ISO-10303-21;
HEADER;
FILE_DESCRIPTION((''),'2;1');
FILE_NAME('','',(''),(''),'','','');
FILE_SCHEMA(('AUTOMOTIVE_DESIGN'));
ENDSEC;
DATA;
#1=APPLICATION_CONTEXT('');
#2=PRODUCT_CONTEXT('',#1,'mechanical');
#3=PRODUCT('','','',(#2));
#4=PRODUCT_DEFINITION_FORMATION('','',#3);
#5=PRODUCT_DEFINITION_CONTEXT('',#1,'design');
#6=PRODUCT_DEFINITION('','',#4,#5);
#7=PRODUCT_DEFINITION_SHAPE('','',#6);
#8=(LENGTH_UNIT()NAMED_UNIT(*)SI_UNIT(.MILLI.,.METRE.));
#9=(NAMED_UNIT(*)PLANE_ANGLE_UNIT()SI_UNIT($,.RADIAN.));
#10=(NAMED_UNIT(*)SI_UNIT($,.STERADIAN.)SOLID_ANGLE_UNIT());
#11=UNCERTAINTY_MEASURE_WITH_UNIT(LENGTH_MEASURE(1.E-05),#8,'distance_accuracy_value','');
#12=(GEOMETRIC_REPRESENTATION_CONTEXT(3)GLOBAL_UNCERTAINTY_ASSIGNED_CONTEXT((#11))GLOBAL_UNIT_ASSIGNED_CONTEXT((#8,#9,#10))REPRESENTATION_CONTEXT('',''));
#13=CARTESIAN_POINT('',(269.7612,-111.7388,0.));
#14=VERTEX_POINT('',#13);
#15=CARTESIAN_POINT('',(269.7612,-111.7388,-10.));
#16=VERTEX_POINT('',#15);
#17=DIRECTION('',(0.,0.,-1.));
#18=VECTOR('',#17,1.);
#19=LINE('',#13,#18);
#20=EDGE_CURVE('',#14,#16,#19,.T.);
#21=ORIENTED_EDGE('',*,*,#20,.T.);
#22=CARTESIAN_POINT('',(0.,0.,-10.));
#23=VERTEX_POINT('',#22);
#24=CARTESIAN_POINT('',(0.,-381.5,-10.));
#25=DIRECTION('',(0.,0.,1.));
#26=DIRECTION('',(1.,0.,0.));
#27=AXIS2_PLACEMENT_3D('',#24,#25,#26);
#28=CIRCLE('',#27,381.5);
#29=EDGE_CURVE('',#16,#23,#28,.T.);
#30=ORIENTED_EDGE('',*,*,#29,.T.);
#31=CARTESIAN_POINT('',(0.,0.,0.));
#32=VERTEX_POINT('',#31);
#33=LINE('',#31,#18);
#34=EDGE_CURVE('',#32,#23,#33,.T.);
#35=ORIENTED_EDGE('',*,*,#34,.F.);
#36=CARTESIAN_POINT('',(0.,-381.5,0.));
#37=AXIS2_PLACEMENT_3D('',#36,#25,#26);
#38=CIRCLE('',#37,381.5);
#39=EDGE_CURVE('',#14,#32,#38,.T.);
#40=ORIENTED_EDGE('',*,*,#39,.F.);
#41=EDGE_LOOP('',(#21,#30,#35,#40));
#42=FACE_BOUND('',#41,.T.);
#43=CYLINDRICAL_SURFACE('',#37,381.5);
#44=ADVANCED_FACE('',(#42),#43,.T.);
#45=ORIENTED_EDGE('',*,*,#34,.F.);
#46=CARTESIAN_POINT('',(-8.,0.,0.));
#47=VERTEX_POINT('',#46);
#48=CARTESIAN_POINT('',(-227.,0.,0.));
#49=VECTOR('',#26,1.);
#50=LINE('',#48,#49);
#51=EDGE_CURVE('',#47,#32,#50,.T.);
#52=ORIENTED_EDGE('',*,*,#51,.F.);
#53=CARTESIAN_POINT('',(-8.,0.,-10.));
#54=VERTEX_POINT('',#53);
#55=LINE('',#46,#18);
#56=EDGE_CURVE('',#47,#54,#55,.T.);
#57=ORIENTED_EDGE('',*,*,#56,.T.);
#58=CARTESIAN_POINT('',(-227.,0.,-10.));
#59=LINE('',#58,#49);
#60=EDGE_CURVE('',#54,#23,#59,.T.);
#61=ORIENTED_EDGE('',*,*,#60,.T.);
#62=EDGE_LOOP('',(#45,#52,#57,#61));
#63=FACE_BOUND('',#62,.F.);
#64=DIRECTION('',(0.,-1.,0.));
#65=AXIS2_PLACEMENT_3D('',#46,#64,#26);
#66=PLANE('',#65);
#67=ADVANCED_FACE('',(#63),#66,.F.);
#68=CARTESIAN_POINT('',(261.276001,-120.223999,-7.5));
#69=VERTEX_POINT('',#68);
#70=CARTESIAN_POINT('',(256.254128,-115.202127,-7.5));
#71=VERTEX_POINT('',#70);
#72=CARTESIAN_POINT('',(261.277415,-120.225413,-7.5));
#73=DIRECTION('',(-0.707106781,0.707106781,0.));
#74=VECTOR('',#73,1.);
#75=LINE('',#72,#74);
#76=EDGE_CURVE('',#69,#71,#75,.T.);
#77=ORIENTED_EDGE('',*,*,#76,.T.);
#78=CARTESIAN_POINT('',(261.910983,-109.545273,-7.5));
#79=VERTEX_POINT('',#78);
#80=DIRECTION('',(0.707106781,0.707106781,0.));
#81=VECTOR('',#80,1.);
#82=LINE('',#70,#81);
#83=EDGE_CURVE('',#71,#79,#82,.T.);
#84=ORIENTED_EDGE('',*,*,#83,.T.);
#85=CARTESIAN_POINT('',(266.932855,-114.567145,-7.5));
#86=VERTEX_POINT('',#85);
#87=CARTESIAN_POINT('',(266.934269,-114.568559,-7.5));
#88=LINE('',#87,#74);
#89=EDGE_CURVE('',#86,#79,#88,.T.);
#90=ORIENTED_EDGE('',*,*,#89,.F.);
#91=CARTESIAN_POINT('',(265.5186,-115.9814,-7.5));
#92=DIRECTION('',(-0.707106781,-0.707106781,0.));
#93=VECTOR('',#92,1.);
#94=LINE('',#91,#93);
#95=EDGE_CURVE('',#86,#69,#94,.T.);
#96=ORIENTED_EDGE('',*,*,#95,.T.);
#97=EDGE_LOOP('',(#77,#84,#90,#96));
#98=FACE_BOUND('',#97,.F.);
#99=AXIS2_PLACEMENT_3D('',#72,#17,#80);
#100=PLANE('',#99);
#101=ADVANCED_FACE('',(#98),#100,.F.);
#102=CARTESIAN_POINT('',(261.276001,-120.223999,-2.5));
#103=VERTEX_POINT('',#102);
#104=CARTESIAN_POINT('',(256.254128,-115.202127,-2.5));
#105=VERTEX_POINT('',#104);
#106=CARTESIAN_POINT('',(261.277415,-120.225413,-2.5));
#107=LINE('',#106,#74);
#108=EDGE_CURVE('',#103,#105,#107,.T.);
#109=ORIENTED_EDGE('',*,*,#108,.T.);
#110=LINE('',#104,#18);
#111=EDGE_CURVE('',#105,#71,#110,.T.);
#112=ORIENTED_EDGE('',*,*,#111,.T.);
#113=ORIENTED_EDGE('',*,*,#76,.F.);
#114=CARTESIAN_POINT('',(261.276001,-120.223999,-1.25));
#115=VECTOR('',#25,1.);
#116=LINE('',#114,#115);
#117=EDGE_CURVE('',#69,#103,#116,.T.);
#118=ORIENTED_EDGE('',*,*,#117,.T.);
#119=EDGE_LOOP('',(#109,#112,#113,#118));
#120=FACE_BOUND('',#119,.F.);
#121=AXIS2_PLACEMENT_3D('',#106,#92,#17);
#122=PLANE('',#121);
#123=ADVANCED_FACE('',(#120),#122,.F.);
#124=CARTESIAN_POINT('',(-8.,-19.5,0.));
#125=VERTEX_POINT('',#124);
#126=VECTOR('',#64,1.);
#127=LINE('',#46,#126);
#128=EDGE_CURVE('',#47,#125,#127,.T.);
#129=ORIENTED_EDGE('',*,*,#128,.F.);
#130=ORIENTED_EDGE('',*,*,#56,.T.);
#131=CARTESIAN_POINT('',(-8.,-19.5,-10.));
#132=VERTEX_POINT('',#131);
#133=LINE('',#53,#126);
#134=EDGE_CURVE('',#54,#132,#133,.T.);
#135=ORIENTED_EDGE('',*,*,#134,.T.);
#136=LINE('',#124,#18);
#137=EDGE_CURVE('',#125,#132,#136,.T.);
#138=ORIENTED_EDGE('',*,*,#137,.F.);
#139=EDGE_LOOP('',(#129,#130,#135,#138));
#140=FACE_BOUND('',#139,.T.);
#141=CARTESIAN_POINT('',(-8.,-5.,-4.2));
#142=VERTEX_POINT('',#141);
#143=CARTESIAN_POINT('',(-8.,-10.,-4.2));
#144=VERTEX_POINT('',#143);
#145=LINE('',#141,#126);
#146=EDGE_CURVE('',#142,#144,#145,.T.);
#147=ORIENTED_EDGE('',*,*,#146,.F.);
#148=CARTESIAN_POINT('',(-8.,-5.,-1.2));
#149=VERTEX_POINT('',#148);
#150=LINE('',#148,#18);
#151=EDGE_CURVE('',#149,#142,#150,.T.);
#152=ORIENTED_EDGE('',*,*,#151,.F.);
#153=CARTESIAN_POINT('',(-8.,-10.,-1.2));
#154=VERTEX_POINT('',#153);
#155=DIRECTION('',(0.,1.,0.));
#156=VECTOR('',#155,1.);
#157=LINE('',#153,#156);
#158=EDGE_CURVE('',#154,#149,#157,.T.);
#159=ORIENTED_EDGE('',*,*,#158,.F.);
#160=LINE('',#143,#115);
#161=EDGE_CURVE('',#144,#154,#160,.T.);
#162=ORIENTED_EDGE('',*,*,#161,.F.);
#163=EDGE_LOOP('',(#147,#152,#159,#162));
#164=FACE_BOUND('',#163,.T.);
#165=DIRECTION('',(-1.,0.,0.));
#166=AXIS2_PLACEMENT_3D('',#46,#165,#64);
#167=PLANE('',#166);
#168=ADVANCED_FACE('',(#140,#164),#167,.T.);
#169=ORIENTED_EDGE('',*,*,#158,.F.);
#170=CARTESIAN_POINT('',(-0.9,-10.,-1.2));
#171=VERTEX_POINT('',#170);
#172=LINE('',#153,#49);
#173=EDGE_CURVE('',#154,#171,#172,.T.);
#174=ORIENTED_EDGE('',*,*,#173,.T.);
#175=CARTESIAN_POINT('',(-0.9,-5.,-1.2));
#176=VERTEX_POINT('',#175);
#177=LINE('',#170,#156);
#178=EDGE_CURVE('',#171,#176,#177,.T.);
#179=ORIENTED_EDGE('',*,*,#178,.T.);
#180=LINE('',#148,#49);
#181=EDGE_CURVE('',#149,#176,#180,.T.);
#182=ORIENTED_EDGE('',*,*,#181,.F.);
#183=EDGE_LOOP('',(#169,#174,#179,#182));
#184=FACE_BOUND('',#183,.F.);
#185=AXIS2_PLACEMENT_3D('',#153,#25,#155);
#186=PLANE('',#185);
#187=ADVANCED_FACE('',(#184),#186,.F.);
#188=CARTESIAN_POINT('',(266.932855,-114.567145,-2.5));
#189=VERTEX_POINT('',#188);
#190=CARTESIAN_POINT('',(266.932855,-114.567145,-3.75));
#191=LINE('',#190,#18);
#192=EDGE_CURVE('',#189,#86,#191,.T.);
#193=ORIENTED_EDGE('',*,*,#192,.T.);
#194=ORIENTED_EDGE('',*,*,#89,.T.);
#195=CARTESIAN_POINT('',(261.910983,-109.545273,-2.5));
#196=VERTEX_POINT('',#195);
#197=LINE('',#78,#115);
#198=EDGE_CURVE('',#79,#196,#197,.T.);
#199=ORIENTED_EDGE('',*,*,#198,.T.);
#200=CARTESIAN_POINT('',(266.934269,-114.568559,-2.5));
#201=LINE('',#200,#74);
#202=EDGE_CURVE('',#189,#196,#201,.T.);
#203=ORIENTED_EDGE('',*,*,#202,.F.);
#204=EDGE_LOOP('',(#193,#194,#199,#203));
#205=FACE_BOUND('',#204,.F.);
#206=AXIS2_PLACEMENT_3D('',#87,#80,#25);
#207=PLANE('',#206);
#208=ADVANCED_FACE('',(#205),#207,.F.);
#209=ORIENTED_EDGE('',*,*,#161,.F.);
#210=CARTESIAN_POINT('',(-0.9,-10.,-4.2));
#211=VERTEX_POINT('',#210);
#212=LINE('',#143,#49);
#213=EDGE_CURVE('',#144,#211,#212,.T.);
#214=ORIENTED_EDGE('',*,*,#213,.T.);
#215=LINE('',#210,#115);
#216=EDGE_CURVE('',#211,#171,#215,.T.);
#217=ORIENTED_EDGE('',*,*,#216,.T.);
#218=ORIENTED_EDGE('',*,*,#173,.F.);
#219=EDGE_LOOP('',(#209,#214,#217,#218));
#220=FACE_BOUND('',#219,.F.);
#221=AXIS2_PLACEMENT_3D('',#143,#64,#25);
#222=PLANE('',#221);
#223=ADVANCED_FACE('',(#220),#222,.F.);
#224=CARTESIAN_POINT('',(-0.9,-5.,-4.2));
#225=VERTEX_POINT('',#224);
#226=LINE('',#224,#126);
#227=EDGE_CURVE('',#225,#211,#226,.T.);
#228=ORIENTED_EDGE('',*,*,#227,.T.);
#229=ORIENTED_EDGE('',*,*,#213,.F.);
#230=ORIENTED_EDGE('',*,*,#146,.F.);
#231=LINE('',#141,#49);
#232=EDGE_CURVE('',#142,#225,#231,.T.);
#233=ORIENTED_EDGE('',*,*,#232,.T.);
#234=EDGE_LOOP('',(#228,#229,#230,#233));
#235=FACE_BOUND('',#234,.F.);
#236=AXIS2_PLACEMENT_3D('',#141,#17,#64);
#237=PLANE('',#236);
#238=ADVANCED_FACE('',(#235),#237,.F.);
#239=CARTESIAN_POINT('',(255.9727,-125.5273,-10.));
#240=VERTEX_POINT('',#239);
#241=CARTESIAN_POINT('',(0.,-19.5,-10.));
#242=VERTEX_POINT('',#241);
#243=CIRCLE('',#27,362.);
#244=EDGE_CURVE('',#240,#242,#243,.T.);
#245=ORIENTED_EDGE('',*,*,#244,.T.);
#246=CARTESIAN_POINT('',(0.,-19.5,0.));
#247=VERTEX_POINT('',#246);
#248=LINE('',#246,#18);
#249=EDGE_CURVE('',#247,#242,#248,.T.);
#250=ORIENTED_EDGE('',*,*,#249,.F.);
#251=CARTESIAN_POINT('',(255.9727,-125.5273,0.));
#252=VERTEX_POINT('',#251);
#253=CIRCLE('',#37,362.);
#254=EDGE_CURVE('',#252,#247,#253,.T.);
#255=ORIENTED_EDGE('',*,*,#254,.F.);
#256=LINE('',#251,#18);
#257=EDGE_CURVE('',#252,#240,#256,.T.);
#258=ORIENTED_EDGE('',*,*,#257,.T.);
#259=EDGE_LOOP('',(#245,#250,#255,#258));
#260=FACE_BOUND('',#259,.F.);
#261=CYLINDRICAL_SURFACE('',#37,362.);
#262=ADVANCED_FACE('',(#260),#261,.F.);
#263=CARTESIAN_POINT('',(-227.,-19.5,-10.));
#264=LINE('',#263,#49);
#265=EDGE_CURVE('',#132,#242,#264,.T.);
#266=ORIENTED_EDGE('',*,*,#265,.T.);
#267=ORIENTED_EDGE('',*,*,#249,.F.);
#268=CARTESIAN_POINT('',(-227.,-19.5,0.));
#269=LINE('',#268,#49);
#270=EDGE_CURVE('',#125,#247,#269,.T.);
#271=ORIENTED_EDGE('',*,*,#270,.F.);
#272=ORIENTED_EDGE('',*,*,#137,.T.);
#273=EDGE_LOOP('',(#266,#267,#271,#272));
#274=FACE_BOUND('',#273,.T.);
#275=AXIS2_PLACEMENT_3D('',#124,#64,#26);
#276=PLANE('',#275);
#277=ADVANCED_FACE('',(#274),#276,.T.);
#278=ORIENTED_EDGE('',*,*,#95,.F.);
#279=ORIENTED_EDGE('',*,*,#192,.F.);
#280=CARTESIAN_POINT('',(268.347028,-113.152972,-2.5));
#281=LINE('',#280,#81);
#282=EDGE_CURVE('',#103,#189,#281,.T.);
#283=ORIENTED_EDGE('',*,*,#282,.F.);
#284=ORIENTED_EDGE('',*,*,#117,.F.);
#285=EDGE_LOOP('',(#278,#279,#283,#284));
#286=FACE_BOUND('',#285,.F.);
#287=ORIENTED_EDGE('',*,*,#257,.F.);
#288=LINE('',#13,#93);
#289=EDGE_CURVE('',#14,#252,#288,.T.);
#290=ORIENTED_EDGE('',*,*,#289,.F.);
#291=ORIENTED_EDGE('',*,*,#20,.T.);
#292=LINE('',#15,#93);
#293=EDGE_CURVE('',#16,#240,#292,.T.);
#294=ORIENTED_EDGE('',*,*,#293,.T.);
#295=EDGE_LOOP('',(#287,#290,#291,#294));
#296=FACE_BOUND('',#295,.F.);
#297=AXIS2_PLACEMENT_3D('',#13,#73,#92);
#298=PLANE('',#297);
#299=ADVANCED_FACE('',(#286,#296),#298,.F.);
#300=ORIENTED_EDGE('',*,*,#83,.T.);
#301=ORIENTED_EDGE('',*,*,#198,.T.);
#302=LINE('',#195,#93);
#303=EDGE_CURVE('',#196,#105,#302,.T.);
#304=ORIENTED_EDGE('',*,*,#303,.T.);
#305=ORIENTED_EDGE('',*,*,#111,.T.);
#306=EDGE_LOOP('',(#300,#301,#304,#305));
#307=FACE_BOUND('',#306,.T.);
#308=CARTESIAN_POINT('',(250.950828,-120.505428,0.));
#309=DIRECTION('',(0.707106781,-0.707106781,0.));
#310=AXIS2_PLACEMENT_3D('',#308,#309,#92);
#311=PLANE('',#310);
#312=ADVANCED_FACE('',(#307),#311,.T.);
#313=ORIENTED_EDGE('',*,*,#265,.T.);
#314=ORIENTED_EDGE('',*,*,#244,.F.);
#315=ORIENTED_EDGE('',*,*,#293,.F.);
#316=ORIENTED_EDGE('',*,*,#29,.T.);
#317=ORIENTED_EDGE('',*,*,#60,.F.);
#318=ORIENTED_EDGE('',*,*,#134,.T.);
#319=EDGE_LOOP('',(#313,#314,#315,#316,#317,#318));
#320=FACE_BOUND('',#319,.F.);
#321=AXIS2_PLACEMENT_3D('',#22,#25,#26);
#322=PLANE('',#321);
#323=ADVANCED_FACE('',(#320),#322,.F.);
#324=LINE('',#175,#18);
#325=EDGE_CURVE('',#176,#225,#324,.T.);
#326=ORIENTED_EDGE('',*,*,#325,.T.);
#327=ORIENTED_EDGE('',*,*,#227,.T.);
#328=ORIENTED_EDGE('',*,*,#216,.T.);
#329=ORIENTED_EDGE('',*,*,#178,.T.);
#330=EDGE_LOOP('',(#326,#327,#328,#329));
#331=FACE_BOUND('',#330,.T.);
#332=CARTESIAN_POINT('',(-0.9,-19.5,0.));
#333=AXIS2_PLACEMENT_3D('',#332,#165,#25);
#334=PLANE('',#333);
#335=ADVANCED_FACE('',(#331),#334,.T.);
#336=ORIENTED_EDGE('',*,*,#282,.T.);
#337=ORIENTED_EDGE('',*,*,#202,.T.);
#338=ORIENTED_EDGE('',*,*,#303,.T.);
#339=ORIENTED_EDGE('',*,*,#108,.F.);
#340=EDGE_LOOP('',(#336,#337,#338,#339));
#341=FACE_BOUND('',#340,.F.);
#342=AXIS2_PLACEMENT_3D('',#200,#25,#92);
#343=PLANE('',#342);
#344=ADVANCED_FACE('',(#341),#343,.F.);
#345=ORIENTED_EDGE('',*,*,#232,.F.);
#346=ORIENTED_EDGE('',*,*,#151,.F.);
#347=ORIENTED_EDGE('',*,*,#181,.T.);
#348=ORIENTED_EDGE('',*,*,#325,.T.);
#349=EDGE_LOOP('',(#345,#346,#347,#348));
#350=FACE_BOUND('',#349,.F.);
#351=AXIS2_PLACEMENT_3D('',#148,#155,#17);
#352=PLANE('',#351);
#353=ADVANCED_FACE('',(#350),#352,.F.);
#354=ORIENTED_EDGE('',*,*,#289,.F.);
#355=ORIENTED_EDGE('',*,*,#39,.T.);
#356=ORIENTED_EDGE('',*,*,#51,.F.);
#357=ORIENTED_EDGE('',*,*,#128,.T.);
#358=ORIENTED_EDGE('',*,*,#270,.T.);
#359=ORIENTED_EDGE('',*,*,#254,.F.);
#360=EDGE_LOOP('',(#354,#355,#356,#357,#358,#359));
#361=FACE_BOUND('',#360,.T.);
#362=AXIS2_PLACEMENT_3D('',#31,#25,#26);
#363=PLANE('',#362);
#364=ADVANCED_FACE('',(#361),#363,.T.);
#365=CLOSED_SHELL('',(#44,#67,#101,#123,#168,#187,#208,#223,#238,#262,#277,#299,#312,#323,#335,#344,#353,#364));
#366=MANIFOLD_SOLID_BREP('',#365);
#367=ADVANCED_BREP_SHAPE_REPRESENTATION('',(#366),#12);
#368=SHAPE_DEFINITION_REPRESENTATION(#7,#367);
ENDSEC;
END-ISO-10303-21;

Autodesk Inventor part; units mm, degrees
ref_plane "YZ Plane" through (0, 0, 0) normal (1, 0, 0) x (0, 1, 0)
ref_plane "XZ Plane" through (0, 0, 0) normal (0, 1, 0) x (-1, 0, 0)
ref_plane "XY Plane" through (0, 0, 0) normal (0, 0, 1) x (1, 0, 0)
sketch "Sketch1" plane through (0, 0, 0) normal (0, 0, 1) x (1, 0, 0)
  arc A0 (381.5, -381.5) -> (0, 0) centre (0, -381.5) ccw projected
  line L0 (-227, 0) -> (0, 0) projected
  line L1 (381.5, -381.5) -> (381.5, -681.5) projected
  line L2 (-227, -19.5) -> (0, -19.5)
  arc A1 (362, -381.5) -> (0, -19.5) centre (0, -381.5) ccw
  line L3 (362, -381.5) -> (362, -681.5)
  line L4 (-8, 0) -> (-8, -19.5)
  line L5 (381.5, -389.5) -> (362, -389.5)
  line L6 (269.7612, -111.7388) -> (255.9727, -125.5273)
  dimension "d0" = 19.5
  dimension "d1" = 8
  dimension "d2" = 8
extrude "Extrusion1" add sketch "Sketch1" against normal blind 10 contours L6 A1 L2 L4 L0 A0
sketch "Sketch2" plane through (-8, -19.5, 0) normal (-1, 0, 0) x (0, 0, 1)
  line L0 (0, 19.5) -> (0, 0) projected
  line L1 (0, 19.5) -> (-10, 19.5) projected
  line L2 (-10, 0) -> (-10, 19.5) projected
  line L3 (0, 0) -> (-10, 0) projected
  line L4 (-1.2, 14.5) -> (-4.2, 14.5)
  line L5 (-4.2, 14.5) -> (-4.2, 9.5)
  line L6 (-4.2, 9.5) -> (-1.2, 9.5)
  line L7 (-1.2, 9.5) -> (-1.2, 14.5)
  line L8 (-1.2, 14.5) -> (-4.2, 9.5) construction
  line L9 (-4.2, 14.5) -> (-1.2, 9.5) construction
  point P0 (0, 19.5)
  point P1 (-2.7, 12)
  dimension "d5" = 3
  dimension "d6" = 5
  dimension "d7" = 1.2
  dimension "d8" = 5
extrude "Extrusion2" cut sketch "Sketch2" against normal blind 7.1 contours L7 L6 L5 L4
sketch "Sketch3" plane through (255.9727, -125.5273, 0) normal (0.7071, -0.7071, 0) x (-0.7071, -0.7071, 0)
  line L0 (0, 0) -> (-19.5, 0) projected
  line L1 (0, 0) -> (0, 10) projected
  line L2 (-19.5, 10) -> (0, 10) projected
  line L3 (-19.5, 0) -> (-19.5, 10) projected
  line L4 (-15.5, 2.5) -> (-7.5, 2.5)
  line L5 (-7.5, 2.5) -> (-7.5, 7.5)
  line L6 (-7.5, 7.5) -> (-15.5, 7.5)
  line L7 (-15.5, 7.5) -> (-15.5, 2.5)
  line L8 (-15.5, 2.5) -> (-7.5, 7.5) construction
  line L9 (-7.5, 2.5) -> (-15.5, 7.5) construction
  line L10 (-15.7, 2.3) -> (-7.3, 2.3)
  line L11 (-7.3, 2.3) -> (-7.3, 7.7)
  line L12 (-7.3, 7.7) -> (-15.7, 7.7)
  line L13 (-15.7, 7.7) -> (-15.7, 2.3)
  point P0 (92.2388, 0)
  point P1 (-11.5, 5)
  point P2 (-15.5, 5)
  point P3 (-19.5, 5)
  dimension "d11" = 8
  dimension "d12" = 5
  dimension "d13" = 4
  dimension "d16" = 0.2
extrude "Extrusion3" cut sketch "Sketch3" against normal blind 7.1 contours L7 L6 L5 L4
properties part number "SEPARADOR_3"
